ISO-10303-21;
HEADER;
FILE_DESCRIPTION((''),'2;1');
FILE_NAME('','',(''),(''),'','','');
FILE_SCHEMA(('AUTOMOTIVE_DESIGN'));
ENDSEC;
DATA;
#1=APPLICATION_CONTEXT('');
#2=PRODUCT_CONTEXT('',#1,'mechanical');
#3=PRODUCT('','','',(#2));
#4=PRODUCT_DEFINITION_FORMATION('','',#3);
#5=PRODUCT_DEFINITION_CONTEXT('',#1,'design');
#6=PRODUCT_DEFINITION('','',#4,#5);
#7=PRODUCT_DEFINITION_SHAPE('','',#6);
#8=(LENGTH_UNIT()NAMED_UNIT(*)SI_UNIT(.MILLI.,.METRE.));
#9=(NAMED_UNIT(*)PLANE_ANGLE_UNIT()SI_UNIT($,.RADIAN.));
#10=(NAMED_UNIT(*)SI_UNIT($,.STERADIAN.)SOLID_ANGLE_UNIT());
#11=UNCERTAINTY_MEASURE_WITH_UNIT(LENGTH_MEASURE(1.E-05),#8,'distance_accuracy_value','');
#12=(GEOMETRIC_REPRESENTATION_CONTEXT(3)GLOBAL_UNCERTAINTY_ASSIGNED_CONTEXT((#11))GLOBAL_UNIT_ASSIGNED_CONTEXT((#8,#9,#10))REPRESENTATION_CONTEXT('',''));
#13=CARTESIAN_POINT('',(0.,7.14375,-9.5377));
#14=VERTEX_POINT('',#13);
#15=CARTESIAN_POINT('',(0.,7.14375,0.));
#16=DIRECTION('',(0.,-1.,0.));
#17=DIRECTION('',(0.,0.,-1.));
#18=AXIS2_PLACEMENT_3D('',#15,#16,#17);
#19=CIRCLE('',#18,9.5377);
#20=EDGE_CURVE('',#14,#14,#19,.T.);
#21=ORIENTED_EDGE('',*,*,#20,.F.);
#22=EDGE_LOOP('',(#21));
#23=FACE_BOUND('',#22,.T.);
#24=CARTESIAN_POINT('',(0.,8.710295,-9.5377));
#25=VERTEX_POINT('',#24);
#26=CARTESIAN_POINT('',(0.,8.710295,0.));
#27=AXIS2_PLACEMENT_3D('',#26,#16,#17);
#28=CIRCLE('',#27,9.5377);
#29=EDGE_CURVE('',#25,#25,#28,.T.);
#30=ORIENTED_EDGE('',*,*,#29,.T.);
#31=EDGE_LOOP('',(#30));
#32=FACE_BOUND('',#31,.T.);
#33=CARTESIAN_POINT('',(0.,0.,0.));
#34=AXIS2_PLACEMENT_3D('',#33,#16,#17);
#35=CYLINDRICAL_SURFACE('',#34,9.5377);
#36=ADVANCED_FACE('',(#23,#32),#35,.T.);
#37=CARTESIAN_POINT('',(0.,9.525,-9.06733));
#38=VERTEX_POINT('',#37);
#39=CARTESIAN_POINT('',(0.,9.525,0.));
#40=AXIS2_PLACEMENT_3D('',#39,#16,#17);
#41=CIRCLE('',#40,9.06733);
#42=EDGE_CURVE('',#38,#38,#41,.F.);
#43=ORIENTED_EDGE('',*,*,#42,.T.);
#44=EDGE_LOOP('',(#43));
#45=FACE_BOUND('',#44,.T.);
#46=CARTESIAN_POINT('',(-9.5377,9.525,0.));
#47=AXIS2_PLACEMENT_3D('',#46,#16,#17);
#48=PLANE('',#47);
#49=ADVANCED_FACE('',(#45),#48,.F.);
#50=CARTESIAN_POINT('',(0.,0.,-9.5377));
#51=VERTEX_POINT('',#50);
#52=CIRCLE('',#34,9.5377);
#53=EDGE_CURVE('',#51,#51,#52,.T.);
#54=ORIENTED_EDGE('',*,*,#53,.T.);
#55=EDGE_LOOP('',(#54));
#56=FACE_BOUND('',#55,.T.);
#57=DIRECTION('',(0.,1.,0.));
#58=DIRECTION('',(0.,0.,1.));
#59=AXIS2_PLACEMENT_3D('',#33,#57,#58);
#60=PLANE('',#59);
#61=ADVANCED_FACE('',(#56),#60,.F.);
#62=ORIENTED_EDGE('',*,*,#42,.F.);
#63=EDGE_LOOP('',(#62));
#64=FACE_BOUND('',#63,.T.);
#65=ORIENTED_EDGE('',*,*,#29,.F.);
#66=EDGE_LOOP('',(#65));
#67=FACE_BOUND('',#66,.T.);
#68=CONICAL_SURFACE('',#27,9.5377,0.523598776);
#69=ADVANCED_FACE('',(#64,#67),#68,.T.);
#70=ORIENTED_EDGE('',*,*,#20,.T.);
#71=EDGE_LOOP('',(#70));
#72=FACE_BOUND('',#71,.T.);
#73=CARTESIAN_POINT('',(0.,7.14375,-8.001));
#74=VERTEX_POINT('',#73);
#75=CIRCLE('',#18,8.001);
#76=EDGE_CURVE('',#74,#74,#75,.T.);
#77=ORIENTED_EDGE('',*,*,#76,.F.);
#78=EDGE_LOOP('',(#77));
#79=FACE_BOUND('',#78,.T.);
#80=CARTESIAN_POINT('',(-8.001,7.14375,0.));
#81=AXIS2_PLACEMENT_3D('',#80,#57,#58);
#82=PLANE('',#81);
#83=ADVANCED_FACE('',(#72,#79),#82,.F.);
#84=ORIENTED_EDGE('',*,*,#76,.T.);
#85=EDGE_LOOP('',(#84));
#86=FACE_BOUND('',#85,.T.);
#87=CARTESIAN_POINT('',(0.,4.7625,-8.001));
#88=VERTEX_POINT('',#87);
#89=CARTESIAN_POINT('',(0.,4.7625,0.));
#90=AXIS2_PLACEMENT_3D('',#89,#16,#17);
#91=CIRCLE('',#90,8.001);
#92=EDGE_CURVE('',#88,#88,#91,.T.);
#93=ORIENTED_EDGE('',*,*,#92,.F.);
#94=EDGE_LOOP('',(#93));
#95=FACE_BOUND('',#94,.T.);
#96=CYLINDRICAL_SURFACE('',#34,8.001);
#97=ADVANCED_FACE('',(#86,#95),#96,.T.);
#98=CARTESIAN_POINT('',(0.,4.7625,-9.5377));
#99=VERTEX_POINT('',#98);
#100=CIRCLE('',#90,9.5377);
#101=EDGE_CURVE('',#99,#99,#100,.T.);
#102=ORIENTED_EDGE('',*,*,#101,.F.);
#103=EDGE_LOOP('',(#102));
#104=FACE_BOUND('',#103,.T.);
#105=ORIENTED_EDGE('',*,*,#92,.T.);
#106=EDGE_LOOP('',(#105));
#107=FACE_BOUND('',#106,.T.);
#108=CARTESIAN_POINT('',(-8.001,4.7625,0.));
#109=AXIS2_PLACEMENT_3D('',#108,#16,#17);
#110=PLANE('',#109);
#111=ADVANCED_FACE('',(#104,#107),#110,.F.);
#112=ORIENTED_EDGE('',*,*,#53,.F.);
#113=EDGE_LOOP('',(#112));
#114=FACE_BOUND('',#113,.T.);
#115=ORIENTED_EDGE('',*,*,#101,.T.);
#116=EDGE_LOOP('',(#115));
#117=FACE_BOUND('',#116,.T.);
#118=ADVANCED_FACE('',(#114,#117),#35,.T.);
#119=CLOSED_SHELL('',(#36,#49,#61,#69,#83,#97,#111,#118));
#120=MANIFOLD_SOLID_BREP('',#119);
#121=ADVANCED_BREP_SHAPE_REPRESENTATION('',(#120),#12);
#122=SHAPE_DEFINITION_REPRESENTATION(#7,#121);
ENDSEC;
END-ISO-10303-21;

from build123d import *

# Parameters (mm, degrees)
CHAMFER1_SIZE  = 0.47037037
CHAMFER1_SIZE2 = 0.81470538


with BuildPart() as part:
    # Sketch1 → Revolve1 (revolve)
    with BuildSketch(Plane.XY):
        Polygon((0, 0), (-9.5377, 0), (-9.5377, 4.7625), (-8.001, 4.7625), (-8.001, 7.14375), (-9.5377, 7.14375), (-9.5377, 9.525), (0, 9.525), align=None)
    revolve(axis=Axis((0, 0, 0), (0, 1, 0)))

    # Chamfer1
    chamfer1_edges = [part.edges().sort_by_distance(p)[0] for p in [
        (9.5377, 9.525, 0),
    ]]
    chamfer1_side = [part.faces().sort_by_distance(p)[0] for p in [
        (0, 9.525, 0),
    ]]
    chamfer(chamfer1_edges, length=CHAMFER1_SIZE, length2=CHAMFER1_SIZE2, reference=chamfer1_side[0])


solid = part.part
